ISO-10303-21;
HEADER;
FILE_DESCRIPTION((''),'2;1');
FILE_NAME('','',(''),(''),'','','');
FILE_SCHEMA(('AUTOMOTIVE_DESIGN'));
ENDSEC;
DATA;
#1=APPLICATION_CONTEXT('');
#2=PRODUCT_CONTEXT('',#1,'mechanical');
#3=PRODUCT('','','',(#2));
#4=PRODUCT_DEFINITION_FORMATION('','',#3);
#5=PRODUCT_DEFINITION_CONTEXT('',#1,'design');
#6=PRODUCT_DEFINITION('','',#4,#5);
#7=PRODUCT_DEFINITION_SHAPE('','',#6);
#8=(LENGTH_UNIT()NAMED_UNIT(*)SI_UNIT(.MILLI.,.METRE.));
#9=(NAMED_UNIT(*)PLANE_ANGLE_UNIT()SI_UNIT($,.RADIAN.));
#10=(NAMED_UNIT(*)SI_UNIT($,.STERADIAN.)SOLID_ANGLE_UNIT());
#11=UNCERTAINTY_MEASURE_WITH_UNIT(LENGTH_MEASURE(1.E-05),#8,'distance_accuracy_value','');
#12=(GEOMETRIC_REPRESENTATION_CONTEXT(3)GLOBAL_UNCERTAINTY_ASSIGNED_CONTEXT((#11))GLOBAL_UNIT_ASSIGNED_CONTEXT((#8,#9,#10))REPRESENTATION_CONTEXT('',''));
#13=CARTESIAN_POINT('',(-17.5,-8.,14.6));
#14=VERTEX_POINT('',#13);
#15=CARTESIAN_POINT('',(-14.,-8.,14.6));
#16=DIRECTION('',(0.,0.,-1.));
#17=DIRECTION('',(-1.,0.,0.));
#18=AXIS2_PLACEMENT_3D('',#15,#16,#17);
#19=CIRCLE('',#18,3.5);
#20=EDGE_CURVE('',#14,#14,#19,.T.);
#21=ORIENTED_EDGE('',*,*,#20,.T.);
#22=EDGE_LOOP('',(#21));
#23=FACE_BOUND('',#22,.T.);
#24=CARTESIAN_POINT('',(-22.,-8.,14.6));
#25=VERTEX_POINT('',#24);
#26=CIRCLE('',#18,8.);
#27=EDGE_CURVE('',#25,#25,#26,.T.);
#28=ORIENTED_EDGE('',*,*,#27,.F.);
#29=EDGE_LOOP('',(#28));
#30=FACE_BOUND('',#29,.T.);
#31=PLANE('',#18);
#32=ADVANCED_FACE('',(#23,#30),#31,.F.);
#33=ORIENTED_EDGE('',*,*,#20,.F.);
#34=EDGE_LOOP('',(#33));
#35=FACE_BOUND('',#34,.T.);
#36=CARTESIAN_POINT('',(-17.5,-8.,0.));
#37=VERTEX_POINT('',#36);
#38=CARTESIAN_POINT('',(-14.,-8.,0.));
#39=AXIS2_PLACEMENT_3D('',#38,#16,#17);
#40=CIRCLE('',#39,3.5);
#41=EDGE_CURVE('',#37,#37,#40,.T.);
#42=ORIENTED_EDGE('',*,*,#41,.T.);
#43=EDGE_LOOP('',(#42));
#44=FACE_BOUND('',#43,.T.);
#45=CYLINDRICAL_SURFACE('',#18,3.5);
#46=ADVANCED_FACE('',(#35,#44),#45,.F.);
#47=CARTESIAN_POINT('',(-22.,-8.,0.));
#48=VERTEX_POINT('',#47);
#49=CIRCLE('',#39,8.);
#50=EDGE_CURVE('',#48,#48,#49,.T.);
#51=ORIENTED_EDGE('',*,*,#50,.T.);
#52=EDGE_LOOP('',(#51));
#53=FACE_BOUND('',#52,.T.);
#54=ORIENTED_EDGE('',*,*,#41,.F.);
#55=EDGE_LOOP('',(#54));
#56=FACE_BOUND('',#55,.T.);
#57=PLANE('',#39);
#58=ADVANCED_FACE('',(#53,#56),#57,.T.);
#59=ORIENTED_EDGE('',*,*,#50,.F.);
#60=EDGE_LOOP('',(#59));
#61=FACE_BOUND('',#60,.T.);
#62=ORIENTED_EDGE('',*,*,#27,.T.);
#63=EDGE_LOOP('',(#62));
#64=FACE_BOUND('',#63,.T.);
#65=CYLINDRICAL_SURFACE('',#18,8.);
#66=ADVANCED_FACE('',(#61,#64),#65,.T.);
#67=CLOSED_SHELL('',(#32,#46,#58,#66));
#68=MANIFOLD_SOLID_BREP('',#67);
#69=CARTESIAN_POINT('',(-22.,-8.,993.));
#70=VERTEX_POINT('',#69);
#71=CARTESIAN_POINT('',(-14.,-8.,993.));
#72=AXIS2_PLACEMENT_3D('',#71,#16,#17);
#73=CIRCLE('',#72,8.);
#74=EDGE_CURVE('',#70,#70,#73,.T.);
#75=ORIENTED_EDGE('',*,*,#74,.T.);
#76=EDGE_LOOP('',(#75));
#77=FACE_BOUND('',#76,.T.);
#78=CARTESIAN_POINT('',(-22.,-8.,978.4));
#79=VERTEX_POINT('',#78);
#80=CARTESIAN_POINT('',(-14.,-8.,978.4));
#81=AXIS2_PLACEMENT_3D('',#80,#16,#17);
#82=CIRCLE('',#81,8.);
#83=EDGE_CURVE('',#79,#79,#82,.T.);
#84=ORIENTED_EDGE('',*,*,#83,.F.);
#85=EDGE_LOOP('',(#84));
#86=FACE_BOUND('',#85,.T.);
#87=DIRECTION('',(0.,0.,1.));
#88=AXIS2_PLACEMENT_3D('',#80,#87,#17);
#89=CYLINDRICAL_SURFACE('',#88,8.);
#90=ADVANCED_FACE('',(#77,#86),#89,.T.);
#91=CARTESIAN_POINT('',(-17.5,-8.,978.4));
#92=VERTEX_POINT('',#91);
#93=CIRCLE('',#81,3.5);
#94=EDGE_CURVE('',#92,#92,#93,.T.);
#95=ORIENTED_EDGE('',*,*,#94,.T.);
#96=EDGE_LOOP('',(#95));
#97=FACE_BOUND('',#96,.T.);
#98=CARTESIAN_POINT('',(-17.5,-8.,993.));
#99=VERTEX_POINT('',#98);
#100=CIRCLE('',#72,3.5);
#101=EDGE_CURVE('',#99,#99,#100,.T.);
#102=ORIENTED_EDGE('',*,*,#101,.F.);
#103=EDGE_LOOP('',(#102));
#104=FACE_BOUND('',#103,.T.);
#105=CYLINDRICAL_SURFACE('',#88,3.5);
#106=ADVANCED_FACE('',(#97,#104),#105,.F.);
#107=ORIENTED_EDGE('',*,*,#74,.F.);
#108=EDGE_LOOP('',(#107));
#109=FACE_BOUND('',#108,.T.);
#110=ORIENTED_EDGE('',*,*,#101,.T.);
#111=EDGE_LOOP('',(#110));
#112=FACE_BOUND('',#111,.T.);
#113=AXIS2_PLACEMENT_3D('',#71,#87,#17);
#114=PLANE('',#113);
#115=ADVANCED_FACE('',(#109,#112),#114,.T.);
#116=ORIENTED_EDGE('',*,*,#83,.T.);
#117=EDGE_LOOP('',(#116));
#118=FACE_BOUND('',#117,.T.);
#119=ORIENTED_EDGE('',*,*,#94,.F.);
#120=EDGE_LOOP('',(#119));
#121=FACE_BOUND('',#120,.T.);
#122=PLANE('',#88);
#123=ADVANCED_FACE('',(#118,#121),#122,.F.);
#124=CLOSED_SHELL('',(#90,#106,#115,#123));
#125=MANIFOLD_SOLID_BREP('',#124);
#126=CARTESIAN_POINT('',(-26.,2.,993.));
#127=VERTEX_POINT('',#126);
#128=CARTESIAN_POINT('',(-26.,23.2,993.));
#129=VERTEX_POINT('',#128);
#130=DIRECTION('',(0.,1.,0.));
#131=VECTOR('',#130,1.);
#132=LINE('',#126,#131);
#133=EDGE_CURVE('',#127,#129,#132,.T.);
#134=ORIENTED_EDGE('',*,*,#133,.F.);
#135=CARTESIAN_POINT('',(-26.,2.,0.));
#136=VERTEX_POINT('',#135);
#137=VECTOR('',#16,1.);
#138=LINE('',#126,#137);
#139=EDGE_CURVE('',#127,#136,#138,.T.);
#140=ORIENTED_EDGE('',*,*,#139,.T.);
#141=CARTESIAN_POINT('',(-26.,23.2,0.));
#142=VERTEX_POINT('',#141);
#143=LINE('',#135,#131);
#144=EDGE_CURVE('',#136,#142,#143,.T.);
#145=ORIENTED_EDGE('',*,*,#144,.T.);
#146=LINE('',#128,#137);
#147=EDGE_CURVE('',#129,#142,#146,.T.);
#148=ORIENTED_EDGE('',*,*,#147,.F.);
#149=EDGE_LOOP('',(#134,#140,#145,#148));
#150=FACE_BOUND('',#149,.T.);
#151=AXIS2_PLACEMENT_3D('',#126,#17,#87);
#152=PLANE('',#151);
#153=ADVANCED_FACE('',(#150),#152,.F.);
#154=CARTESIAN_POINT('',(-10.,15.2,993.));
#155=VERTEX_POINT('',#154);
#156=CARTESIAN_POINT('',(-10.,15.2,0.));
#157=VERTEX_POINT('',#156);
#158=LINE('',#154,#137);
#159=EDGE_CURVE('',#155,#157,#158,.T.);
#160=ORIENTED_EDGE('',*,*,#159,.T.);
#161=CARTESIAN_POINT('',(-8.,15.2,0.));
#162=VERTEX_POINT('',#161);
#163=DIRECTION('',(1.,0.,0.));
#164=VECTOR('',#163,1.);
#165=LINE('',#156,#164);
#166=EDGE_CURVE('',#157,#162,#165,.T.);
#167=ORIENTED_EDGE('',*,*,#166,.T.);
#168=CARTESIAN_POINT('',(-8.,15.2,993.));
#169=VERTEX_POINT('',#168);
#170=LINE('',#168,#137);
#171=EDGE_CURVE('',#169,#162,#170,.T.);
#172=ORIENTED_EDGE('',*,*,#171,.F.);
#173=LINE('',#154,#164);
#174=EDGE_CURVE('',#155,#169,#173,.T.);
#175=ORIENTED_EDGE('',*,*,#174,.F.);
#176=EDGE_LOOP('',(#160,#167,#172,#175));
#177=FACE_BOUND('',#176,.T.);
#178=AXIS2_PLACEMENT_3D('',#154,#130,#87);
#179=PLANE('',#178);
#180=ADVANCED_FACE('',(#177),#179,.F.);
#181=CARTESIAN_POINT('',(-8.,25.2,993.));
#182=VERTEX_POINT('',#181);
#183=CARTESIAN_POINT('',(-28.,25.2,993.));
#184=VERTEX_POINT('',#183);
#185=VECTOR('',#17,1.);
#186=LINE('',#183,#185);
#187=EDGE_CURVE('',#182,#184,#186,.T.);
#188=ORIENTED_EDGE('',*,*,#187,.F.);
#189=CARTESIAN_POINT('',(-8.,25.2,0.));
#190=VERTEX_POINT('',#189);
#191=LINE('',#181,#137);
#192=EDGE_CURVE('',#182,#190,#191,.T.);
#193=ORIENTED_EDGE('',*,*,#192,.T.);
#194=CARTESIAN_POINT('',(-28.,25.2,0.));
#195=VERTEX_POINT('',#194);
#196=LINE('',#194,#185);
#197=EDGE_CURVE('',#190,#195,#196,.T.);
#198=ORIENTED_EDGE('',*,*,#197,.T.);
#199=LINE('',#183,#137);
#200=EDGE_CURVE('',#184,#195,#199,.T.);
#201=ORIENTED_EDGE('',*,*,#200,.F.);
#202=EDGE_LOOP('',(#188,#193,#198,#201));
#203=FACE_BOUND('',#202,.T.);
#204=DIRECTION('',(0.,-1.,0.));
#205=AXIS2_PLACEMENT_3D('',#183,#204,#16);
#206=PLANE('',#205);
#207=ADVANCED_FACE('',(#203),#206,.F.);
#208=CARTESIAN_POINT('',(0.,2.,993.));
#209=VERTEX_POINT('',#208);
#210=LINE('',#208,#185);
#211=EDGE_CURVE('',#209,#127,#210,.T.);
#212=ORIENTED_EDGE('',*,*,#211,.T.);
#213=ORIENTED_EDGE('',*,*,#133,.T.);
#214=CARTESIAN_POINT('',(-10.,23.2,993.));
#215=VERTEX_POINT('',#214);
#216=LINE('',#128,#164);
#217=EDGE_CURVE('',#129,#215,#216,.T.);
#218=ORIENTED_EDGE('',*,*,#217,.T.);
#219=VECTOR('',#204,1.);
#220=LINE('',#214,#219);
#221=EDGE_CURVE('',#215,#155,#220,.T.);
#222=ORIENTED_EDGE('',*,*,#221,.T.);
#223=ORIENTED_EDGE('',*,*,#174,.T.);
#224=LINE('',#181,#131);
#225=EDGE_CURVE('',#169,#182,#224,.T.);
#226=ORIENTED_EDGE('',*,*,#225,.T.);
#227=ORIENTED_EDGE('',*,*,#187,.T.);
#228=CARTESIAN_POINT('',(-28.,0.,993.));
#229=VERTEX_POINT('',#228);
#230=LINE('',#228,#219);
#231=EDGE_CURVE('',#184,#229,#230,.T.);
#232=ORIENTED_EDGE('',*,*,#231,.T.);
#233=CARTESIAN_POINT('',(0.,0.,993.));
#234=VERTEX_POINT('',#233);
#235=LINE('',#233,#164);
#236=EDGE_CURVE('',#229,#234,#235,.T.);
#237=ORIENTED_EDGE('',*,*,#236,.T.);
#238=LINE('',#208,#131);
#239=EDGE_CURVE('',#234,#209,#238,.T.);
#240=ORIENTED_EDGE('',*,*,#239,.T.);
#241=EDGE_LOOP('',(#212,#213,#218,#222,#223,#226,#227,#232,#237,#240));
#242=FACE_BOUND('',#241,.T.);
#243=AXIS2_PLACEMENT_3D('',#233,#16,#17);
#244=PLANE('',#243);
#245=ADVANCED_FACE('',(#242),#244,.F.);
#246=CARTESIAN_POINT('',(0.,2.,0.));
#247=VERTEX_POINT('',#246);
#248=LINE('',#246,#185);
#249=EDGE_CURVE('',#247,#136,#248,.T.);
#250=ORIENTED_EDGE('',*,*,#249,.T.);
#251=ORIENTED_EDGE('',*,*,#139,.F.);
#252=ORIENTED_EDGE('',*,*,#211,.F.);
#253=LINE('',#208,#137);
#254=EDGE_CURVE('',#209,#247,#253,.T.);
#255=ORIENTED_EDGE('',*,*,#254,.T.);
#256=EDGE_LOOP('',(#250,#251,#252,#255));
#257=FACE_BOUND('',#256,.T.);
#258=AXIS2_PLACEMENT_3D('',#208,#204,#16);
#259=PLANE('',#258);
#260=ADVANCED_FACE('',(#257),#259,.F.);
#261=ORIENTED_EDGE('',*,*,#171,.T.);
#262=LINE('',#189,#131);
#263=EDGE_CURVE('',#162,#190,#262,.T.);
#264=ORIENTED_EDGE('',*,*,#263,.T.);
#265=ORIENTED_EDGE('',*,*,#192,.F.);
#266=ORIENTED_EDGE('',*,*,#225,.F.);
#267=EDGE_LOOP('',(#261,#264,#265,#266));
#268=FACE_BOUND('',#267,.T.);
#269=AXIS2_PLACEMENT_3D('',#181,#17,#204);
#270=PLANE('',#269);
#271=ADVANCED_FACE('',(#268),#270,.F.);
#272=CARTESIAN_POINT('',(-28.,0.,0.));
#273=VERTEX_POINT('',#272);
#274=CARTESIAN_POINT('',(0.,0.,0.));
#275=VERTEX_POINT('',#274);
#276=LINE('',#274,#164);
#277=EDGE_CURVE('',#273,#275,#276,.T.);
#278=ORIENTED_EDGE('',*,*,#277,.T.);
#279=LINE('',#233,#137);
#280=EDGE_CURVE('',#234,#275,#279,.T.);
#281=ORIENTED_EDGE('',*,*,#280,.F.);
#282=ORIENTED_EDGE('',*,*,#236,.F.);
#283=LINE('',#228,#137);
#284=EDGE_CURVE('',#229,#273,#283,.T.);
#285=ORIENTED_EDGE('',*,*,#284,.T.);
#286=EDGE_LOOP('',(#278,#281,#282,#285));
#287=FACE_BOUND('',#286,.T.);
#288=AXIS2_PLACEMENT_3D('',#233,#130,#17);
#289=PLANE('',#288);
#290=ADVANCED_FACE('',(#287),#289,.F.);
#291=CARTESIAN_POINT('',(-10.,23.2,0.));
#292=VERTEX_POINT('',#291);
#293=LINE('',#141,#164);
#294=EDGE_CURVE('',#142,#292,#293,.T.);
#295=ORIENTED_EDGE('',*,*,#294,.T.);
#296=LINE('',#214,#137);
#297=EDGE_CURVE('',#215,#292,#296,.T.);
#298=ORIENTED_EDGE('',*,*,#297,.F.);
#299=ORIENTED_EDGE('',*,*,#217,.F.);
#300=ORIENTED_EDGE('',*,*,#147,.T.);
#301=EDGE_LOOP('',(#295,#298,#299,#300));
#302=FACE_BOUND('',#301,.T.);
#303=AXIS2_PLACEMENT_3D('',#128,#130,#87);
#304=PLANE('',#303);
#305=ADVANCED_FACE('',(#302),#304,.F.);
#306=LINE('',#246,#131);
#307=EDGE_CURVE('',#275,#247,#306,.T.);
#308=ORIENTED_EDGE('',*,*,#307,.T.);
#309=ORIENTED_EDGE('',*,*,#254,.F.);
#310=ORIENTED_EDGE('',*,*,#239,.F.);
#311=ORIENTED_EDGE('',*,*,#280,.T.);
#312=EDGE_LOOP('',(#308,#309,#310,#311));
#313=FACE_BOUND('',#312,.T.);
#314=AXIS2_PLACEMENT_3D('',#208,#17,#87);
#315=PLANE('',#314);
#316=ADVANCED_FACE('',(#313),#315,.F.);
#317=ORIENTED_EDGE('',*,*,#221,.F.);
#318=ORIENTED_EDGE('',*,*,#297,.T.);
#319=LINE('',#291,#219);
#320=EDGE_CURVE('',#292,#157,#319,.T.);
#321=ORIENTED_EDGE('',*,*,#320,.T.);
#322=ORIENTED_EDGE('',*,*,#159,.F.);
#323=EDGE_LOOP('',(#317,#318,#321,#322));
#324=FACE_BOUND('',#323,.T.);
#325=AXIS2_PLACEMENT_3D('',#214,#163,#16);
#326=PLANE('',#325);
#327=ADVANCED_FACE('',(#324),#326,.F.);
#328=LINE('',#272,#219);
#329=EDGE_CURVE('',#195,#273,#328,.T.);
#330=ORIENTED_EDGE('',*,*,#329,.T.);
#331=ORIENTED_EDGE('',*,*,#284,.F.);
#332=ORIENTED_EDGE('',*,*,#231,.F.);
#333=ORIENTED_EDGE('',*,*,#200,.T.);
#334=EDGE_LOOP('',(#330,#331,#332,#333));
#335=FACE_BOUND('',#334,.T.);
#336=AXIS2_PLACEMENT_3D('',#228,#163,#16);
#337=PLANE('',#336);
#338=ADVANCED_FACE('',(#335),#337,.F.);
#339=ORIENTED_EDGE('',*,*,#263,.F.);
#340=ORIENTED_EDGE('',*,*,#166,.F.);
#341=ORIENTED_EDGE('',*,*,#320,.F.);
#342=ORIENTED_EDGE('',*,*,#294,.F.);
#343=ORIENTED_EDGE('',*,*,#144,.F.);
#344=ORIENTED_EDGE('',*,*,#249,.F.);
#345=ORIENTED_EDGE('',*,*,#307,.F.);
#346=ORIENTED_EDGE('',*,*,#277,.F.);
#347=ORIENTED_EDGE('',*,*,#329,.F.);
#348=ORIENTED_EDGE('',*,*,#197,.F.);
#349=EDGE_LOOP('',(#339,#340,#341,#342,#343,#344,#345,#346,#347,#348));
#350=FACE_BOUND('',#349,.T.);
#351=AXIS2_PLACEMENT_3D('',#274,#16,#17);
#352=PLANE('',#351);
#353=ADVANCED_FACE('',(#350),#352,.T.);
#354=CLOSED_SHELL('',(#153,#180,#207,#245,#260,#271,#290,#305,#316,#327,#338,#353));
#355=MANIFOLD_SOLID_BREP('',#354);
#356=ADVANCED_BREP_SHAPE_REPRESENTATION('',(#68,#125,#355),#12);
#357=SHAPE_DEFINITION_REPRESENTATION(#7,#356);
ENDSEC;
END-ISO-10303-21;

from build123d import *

# Parameters (mm, degrees)
BOSS_EXTRUDE1_DEPTH = 993
SKETCH2_R           = 8
SKETCH2_R_2         = 3.5
BOSS_EXTRUDE2_DEPTH = 14.6


with BuildPart() as part:
    # Sketch1 → Boss-Extrude1 (new body)
    with BuildSketch(Plane.XY):
        Polygon((0, 0), (-28, 0), (-28, 25.2), (-8, 25.2), (-8, 15.2), (-10, 15.2), (-10, 23.2), (-26, 23.2), (-26, 2), (0, 2), align=None)
    extrude(amount=BOSS_EXTRUDE1_DEPTH)


with BuildPart() as body_2:
    # Sketch2 → Boss-Extrude2 (new body)
    with BuildSketch(Plane(origin=(0, 0, 0), x_dir=(-1, 0, 0), z_dir=(0, 0, -1))):
        with Locations((14, -8)):
            Circle(SKETCH2_R)
        with Locations((14, -8)):
            Circle(SKETCH2_R_2, mode=Mode.SUBTRACT)
    extrude(amount=-BOSS_EXTRUDE2_DEPTH)


with BuildPart() as body_3:
    # Mirror10: mirrored copy
    add(body_2.part.mirror(Plane(origin=(0, 0, 496.5), x_dir=(1, 0, 0), z_dir=(0, 0, -1))))


solid = Compound([part.part, body_2.part, body_3.part])
